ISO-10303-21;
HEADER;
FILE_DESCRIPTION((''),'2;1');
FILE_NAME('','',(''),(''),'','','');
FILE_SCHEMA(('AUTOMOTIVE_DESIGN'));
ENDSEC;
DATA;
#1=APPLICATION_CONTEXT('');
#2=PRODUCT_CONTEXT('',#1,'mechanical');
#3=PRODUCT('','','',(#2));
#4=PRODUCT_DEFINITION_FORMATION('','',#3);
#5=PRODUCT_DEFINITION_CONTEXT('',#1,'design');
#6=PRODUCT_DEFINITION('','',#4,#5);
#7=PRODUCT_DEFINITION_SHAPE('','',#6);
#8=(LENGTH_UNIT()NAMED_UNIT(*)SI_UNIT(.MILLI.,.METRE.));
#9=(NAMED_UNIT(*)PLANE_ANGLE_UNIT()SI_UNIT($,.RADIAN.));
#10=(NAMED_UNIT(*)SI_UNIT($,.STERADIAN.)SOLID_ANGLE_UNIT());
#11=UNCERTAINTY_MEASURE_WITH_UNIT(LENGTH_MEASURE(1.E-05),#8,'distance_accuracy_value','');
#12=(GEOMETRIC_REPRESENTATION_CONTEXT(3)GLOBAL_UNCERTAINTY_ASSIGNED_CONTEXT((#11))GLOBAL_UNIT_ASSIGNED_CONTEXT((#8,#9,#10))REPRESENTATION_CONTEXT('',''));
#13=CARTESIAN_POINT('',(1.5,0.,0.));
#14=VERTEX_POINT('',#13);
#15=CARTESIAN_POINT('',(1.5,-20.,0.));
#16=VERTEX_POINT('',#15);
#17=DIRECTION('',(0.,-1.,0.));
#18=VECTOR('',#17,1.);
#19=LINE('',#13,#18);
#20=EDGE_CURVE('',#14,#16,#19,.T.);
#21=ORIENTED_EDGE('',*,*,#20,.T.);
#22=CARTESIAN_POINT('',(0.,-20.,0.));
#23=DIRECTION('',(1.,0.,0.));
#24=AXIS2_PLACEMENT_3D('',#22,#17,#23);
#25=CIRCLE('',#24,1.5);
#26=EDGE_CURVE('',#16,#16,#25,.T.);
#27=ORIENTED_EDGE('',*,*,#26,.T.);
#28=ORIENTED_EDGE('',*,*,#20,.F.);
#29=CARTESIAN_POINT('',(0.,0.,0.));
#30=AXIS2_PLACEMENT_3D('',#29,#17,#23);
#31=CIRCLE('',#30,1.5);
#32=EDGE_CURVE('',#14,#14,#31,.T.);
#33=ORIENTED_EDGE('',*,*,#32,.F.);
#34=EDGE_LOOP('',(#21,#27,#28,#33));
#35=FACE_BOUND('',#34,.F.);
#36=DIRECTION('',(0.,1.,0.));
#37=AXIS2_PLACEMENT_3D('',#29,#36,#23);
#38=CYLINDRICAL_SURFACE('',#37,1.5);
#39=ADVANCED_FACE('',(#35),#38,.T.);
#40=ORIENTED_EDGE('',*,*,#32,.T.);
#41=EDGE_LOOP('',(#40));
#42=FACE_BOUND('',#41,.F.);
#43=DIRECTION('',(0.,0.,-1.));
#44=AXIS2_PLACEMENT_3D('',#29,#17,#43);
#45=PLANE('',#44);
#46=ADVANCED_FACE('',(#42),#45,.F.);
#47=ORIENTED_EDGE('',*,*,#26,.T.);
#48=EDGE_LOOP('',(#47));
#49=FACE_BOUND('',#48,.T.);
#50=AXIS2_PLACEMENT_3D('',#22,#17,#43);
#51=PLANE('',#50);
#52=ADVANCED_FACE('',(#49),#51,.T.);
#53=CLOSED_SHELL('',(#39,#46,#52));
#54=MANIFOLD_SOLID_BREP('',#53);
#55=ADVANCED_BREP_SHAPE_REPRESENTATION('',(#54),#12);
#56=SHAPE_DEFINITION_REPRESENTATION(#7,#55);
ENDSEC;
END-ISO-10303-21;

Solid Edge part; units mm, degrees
sketch "Sketch1" plane through (0, 0, 0) normal (0, -1, 0) x (1, 0, 0)
  circle A0 centre (0, 0) radius 1.5
extrude "Protrusion1" add sketch "Sketch1" along normal blind 20
properties material "Stainless steel"
